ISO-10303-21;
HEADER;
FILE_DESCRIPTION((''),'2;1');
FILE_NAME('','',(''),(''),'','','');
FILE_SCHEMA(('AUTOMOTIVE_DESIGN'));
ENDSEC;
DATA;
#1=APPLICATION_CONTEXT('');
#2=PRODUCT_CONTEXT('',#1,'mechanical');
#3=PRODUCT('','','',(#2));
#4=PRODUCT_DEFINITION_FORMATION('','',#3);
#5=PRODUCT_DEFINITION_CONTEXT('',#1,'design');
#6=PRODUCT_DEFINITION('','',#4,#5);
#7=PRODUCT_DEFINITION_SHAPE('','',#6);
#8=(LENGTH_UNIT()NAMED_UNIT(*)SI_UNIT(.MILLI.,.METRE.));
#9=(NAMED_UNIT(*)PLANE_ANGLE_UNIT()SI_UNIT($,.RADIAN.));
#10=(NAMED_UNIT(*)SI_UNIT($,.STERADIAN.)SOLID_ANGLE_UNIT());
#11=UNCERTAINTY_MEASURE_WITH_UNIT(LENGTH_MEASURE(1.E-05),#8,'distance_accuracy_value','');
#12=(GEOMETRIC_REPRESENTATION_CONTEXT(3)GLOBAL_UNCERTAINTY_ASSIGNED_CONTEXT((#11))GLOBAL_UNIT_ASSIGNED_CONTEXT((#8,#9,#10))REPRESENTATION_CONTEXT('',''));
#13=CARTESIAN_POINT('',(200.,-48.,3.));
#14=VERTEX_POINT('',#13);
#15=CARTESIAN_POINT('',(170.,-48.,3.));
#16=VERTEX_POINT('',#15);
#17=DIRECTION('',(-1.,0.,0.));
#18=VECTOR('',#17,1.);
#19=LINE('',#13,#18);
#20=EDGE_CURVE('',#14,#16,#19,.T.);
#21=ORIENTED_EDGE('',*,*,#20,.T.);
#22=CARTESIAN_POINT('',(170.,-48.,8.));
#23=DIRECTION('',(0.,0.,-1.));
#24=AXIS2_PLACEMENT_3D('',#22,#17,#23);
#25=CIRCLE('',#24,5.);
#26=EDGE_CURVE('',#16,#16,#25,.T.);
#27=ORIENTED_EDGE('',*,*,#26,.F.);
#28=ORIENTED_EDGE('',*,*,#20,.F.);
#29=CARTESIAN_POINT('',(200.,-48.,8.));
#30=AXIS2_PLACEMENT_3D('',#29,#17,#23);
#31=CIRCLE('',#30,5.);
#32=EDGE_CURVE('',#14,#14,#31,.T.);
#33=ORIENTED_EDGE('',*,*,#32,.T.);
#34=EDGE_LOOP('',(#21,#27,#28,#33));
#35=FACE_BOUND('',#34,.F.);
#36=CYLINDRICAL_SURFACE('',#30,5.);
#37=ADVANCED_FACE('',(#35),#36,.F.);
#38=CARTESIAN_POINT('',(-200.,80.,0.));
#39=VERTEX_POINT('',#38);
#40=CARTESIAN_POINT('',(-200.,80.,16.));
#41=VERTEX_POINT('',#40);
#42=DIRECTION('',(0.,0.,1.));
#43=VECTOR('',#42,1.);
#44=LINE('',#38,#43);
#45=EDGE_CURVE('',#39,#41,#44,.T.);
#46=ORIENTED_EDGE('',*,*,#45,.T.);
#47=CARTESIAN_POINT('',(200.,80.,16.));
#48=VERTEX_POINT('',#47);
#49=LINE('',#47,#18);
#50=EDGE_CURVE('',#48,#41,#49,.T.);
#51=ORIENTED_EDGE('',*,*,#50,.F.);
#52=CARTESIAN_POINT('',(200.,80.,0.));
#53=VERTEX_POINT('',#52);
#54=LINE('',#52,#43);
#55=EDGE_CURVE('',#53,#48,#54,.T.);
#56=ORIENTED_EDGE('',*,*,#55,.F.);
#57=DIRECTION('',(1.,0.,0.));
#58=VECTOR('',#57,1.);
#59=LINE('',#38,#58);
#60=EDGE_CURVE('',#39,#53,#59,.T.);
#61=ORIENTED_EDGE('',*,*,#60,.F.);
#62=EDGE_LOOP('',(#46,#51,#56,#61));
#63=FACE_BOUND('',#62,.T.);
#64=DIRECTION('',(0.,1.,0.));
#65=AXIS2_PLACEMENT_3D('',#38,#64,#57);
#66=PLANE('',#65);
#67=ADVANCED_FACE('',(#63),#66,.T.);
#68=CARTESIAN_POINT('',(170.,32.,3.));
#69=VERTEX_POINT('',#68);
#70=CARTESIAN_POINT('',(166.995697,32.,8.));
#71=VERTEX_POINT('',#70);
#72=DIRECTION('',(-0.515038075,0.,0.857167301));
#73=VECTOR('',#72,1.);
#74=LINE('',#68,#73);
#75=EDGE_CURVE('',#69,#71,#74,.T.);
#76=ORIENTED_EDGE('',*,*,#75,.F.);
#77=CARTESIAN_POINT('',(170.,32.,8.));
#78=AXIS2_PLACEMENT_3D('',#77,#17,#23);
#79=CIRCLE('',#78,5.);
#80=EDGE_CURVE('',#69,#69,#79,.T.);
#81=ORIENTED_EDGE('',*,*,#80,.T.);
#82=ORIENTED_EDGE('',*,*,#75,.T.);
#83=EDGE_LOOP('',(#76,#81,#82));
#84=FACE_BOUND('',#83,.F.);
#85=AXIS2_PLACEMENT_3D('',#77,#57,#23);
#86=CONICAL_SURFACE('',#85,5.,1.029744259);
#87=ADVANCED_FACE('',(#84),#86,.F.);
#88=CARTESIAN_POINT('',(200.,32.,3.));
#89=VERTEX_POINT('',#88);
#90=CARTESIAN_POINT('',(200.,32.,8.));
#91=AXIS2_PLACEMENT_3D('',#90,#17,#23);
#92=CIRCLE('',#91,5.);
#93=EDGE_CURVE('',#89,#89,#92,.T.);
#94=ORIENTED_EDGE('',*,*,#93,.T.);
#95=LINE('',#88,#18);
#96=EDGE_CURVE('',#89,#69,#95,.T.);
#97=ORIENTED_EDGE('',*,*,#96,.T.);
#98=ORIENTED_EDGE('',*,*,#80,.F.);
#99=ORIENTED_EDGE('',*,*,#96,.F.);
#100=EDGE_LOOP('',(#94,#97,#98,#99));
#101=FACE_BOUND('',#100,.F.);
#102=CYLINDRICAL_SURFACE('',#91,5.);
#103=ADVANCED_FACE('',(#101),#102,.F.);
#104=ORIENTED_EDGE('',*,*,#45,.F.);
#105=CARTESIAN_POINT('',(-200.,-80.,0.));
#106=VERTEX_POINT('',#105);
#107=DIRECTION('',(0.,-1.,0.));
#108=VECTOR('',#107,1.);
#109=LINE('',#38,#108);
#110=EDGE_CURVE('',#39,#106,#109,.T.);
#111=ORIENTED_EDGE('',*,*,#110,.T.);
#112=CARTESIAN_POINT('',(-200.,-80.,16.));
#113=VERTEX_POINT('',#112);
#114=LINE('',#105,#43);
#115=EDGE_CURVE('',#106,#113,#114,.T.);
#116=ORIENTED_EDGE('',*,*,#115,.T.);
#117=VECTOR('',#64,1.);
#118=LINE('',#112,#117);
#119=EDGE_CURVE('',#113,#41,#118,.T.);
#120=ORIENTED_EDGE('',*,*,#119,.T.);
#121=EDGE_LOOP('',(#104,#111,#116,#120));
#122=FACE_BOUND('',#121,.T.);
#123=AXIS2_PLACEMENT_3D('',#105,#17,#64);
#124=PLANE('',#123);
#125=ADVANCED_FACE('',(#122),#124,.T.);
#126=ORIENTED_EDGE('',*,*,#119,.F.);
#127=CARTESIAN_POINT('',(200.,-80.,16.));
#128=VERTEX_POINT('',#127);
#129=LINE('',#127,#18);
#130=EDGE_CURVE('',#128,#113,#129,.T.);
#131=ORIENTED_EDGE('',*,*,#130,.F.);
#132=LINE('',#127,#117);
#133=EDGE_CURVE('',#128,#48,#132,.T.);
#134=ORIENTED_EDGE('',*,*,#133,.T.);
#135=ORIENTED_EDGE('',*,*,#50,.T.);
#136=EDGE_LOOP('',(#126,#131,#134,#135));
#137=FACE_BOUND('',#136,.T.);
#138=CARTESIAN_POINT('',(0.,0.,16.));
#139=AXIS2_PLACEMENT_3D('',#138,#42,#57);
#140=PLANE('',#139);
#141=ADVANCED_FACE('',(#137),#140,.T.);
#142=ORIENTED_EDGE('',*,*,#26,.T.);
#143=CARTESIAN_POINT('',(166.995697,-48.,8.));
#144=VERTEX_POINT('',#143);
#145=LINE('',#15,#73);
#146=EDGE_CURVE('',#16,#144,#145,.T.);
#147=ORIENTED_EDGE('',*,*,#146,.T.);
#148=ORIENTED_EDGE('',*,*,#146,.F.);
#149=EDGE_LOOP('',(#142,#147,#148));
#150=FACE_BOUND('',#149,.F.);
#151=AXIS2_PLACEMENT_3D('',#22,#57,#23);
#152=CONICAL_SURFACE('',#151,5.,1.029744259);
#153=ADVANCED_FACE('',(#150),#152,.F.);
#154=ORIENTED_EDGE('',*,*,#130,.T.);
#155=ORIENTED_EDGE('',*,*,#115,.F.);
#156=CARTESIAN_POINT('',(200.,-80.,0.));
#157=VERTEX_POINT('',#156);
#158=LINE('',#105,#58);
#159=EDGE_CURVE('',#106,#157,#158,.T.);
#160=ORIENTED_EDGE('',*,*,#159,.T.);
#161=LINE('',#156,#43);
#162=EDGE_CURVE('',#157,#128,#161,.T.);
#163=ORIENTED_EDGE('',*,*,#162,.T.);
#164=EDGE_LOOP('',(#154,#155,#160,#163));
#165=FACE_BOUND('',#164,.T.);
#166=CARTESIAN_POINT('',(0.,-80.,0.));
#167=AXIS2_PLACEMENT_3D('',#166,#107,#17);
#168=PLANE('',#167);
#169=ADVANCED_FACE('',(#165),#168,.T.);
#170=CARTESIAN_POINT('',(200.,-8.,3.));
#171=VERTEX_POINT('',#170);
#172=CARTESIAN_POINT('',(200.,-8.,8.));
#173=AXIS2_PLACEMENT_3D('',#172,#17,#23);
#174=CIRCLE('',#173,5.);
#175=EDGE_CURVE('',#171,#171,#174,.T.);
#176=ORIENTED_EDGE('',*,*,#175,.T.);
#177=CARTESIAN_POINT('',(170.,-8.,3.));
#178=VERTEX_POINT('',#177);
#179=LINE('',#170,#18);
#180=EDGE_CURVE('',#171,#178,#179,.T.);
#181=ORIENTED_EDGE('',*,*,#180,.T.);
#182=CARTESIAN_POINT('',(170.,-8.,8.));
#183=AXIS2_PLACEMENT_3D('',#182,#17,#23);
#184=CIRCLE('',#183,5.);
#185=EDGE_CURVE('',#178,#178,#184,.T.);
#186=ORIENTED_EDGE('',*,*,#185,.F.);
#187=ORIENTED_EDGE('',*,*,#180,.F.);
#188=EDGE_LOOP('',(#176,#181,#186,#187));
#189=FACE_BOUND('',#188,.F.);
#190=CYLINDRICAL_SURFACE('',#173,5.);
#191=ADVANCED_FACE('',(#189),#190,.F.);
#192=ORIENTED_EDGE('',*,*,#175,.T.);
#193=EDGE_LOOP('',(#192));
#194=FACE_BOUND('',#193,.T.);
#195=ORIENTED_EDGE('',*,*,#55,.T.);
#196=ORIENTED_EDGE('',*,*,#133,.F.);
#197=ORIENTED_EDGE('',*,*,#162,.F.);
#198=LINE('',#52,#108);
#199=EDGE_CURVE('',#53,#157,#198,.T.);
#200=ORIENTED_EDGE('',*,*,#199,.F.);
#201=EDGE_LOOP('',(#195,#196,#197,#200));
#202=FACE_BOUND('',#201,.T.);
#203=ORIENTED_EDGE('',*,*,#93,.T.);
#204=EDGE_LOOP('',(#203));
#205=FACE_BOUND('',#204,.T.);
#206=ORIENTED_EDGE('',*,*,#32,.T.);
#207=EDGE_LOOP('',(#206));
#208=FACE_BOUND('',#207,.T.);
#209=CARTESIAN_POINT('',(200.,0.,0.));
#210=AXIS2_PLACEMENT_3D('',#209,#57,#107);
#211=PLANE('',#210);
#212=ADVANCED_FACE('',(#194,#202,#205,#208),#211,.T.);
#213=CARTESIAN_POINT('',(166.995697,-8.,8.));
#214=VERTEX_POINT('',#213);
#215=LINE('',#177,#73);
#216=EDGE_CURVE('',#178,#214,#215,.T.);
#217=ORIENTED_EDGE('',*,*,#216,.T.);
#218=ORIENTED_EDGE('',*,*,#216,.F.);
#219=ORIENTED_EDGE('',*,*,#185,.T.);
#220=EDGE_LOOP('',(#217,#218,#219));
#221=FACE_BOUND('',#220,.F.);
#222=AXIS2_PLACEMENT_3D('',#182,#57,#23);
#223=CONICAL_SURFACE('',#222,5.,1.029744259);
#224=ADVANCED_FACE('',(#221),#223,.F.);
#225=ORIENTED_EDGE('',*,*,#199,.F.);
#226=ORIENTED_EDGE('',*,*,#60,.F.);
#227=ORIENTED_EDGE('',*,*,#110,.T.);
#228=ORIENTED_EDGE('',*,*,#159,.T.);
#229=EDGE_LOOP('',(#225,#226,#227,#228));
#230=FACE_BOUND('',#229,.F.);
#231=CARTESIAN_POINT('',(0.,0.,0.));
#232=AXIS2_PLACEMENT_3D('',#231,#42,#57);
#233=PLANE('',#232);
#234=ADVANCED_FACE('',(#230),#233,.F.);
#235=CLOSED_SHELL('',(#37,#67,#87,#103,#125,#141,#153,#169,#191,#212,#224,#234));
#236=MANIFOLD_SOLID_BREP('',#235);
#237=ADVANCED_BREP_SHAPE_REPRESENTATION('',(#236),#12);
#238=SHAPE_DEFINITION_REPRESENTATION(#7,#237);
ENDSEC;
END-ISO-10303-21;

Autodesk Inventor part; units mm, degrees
ref_plane "YZ Ebene" through (0, 0, 0) normal (1, 0, 0) x (0, 1, 0)
ref_plane "XZ Ebene" through (0, 0, 0) normal (0, 1, 0) x (-1, 0, 0)
ref_plane "XY Ebene" through (0, 0, 0) normal (0, 0, 1) x (1, 0, 0)
sketch "Langloch" plane through (0, 0, 0) normal (0, 0, 1) x (1, 0, 0)
  line L0 (-9.675, 3.175) -> (9.675, 3.175)
  line L1 (9.675, -3.175) -> (-9.675, -3.175)
  arc A0 (-9.675, 3.175) -> (-9.675, -3.175) centre (-9.675, 0) ccw
  arc A1 (9.675, -3.175) -> (9.675, 3.175) centre (9.675, 0) ccw
  line L2 (-9.675, 0) -> (9.675, 0) construction
  point P0 (0, 0)
  point P1 (0, 0)
  dimension "d6" = 6.35
  dimension "d7" = 19.35
sketch "Skizze1" plane through (0, 0, 0) normal (0, 0, 1) x (1, 0, 0)
  line L0 (0, -112) -> (0, 112) projected
  line L1 (-280, 0) -> (280, 0) projected
  line L2 (-200, 80) -> (200, 80)
  line L3 (200, 80) -> (200, -80)
  line L4 (200, -80) -> (-200, -80)
  line L5 (-200, -80) -> (-200, 80)
  point P0 (0, 0)
  dimension "d10" = 160
  dimension "d11" = 80
  dimension "d12" = 400
  dimension "d13" = 200
extrude "Extrusion4" add sketch "Skizze1" along normal blind 16
sketch "Skizze3" plane through (200, -80, 0) normal (1, 0, 0) x (0, 0, -1)
  line L0 (0, 160) -> (0, 0) projected
  line L1 (0, 160) -> (-16, 160) projected
  line L2 (-16, 0) -> (-16, 160) projected
  line L3 (0, 0) -> (-16, 0) projected
  point P0 (0, 80)
  point P1 (-8, 112)
  point P2 (-8, 72)
  point P3 (-8, 32)
  point P4 (-8, 160)
  dimension "d18" = 48
  dimension "d19" = 40
  dimension "d20" = 40
hole "Bohrung1" at (200, 32, 8) at (200, -8, 8) at (200, -48, 8) direction (-1, 0, 0) diameter 10 depth 30 tip angle 118
equation "\"d11\" = 0.5 * d10"
equation "\"d13\" = 0.5 * d12"
properties part number "Steckwand" material "Spanplatte"
